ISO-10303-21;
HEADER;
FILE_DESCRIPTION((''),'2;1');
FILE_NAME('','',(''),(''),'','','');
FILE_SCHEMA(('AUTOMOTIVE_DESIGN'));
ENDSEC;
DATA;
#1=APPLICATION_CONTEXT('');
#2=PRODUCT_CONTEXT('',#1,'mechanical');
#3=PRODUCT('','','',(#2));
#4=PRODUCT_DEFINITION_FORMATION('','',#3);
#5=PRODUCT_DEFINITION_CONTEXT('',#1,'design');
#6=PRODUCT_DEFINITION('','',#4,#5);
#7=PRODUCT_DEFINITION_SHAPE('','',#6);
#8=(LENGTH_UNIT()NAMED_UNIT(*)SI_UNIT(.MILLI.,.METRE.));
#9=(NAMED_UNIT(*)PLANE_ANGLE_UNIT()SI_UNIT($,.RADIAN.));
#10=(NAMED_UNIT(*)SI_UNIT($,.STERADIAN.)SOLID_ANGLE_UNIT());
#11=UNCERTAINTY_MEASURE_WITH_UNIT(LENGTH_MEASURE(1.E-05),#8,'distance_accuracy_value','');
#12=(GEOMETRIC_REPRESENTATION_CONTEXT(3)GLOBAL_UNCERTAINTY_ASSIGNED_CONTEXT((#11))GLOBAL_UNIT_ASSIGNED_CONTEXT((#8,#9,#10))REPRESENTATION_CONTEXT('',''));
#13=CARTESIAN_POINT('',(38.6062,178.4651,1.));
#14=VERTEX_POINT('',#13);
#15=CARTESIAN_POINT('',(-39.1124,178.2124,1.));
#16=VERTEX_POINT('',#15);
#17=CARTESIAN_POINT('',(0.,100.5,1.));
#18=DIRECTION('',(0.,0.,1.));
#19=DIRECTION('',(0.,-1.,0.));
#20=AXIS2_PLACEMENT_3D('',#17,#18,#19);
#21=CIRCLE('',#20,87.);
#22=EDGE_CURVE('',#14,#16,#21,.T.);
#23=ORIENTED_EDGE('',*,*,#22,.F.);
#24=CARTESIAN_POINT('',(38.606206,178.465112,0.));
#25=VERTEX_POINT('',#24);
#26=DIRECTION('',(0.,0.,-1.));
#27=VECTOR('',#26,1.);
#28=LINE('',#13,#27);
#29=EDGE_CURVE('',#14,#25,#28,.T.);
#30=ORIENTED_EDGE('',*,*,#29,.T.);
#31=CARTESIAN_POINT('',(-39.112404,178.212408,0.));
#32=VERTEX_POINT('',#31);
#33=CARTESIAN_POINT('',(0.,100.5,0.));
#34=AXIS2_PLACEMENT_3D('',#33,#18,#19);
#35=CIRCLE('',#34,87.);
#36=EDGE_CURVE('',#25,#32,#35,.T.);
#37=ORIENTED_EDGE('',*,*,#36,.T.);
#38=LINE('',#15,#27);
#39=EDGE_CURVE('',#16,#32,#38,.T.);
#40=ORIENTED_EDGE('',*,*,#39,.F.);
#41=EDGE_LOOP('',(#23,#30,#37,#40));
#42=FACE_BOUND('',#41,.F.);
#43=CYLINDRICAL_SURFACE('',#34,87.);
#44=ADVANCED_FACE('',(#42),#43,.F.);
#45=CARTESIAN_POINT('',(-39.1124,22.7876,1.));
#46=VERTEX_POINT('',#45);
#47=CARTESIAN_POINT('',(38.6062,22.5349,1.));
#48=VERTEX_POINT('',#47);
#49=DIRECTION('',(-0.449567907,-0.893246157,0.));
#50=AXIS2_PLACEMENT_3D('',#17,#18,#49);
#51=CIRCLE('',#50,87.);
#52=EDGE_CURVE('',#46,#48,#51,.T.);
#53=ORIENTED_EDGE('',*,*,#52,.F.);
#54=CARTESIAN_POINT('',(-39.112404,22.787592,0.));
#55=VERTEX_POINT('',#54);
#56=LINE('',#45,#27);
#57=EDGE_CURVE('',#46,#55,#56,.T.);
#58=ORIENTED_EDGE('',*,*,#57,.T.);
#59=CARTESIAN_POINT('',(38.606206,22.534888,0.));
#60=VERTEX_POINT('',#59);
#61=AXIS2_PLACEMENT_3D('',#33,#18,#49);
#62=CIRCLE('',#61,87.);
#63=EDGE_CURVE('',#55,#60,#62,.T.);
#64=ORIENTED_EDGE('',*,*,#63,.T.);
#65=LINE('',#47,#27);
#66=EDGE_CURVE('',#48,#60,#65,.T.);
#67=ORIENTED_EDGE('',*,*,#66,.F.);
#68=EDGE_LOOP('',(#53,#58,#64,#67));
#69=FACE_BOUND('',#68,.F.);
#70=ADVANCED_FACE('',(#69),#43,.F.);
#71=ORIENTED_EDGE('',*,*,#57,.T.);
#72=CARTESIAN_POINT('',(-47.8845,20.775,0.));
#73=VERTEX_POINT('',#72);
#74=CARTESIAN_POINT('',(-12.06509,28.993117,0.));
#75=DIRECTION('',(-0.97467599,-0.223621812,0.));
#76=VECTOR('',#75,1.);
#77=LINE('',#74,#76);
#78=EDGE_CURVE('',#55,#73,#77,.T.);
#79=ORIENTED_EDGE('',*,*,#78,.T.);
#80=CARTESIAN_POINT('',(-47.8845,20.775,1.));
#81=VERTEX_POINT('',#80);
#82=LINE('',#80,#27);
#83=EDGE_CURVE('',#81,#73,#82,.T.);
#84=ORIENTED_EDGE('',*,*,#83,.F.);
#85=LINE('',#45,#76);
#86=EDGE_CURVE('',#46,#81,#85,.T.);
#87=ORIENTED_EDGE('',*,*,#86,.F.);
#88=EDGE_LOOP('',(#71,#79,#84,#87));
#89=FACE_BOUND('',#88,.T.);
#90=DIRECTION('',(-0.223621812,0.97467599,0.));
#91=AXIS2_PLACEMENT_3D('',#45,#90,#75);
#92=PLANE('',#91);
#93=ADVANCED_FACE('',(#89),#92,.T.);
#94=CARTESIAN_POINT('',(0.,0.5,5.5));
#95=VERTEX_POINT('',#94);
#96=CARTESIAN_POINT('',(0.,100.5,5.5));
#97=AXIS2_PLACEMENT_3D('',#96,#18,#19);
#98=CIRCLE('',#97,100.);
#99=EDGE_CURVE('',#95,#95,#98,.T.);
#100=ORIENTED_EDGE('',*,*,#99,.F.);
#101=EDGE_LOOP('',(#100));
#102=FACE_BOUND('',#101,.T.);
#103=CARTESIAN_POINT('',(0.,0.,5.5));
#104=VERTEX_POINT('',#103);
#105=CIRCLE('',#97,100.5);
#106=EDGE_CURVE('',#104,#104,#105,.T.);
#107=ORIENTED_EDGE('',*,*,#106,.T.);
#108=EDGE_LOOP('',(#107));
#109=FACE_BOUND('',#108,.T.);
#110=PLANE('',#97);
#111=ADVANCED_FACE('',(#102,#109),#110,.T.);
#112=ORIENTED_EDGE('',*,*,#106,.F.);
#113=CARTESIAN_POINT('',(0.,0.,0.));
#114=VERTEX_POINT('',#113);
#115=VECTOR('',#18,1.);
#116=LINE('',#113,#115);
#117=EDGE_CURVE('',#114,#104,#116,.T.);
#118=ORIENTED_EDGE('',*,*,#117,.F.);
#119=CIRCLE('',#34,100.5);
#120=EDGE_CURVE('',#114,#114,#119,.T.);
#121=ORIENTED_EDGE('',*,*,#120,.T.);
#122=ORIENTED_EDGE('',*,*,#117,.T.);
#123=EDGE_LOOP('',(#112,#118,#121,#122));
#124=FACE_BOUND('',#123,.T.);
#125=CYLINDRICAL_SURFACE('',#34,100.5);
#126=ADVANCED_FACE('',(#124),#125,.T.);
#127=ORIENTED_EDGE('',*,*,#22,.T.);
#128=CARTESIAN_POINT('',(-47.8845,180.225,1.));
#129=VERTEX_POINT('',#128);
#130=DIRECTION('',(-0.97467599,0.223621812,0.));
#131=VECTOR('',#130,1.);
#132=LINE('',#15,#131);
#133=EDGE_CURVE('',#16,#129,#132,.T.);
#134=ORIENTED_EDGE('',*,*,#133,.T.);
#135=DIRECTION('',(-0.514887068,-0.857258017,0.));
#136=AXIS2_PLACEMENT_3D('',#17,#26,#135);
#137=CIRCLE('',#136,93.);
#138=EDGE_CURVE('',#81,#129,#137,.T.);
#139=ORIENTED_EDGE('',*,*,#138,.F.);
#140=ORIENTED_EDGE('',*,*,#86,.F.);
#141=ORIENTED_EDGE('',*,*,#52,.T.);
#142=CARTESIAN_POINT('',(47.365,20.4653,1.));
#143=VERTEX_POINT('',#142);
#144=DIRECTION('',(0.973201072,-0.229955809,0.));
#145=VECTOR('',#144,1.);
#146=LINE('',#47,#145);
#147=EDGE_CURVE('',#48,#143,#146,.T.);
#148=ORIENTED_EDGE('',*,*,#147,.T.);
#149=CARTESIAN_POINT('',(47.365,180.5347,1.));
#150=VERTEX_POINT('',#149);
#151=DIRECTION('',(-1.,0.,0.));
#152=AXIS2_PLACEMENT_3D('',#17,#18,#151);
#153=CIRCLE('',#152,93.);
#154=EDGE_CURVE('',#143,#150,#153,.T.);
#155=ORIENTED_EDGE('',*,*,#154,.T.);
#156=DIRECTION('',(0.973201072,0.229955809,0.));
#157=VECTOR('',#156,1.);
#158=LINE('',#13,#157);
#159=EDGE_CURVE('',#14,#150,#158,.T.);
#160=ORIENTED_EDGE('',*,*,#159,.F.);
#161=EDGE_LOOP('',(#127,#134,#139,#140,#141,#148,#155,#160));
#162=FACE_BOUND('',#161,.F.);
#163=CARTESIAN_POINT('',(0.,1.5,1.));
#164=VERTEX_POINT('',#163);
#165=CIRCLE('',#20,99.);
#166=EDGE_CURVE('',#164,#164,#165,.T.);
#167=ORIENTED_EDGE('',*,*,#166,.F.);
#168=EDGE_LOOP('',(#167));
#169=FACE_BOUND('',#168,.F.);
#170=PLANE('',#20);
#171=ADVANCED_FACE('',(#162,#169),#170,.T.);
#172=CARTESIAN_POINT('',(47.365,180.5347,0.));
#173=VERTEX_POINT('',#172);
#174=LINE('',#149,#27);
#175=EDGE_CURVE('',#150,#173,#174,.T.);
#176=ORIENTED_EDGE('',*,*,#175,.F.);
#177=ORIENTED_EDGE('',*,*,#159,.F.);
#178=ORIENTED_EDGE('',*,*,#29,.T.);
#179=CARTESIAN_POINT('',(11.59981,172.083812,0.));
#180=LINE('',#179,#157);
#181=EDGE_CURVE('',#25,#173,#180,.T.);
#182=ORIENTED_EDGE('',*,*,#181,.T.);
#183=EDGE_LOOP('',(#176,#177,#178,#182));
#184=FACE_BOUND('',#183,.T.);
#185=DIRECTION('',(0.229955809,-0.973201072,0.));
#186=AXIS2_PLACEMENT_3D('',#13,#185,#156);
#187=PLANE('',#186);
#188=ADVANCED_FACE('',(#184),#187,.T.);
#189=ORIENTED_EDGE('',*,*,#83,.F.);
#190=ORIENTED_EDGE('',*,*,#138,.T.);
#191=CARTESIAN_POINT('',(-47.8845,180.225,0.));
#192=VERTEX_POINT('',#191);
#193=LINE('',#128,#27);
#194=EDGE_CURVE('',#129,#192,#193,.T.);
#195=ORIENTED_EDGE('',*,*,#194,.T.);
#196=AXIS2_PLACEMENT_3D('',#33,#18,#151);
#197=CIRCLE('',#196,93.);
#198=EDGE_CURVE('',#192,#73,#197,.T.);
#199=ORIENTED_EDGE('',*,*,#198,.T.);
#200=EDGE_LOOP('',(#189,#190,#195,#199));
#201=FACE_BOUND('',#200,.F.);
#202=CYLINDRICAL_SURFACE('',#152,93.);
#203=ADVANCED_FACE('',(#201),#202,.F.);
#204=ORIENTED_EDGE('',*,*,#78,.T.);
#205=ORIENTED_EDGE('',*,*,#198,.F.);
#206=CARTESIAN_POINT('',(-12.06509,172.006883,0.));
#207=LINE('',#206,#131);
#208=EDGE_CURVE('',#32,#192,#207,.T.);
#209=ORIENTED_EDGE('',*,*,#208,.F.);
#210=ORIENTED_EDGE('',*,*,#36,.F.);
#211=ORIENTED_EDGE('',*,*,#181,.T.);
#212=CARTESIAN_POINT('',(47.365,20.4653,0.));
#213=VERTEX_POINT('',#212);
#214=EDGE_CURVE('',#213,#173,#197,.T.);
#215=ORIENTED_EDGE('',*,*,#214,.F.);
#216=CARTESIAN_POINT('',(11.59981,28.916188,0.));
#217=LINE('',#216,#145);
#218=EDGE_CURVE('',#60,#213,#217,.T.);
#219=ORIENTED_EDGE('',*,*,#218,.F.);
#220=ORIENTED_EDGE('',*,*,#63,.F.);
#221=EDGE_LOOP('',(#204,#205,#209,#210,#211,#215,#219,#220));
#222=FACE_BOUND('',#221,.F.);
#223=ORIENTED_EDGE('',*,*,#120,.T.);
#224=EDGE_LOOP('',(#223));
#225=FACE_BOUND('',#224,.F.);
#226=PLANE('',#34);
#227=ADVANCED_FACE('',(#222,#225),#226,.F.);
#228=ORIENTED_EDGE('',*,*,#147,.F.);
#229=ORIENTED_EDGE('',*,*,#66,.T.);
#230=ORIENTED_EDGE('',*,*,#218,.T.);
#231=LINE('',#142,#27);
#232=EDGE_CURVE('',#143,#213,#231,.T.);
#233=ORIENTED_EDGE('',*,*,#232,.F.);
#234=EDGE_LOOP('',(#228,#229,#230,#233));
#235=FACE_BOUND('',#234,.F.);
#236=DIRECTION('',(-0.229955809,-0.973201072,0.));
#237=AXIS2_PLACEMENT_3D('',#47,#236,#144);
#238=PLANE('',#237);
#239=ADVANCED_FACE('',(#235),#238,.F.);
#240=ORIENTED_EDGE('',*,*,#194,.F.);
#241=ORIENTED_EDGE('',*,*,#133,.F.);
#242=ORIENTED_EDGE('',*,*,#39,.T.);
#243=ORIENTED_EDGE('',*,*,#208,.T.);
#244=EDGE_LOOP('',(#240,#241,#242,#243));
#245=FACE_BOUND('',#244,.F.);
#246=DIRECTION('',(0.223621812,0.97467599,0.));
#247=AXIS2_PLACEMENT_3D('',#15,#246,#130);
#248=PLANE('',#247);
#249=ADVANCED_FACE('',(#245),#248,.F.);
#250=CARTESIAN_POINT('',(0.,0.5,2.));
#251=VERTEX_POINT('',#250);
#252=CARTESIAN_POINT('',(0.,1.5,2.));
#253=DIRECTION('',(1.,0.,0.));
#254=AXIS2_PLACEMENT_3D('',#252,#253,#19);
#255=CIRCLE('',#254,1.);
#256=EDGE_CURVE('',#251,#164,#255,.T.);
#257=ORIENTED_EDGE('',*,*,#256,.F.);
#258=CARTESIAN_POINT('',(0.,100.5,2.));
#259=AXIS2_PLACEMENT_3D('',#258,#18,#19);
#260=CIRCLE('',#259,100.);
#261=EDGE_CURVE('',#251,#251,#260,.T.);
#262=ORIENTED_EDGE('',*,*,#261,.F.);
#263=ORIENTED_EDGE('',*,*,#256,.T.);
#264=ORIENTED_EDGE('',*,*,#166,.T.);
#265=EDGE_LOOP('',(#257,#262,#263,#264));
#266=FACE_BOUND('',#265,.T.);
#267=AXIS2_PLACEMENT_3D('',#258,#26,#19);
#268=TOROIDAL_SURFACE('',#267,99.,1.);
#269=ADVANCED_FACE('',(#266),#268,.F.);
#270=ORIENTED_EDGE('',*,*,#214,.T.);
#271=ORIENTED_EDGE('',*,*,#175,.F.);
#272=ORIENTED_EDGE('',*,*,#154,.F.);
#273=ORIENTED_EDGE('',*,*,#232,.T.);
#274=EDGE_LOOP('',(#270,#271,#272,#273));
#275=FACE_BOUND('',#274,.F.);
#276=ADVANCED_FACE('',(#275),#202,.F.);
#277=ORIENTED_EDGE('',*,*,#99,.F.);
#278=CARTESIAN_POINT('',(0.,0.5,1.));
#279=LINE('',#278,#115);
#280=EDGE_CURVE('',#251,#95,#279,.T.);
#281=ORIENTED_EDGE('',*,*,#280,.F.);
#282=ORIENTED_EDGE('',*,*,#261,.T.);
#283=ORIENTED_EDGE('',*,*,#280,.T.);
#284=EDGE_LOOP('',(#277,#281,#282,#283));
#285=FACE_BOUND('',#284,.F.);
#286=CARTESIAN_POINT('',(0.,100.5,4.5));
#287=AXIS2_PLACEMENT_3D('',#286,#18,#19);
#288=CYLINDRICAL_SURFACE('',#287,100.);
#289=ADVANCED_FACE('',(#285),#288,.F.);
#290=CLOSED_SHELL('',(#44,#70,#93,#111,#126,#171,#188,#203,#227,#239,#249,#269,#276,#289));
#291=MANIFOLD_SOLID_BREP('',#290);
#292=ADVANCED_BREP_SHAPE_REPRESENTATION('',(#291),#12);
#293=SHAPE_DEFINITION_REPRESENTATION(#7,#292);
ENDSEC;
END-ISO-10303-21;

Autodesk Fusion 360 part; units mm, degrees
sketch "Ring" plane through (0, 0, 0) normal (1, 0, 0) x (0, 1, 0)
  line L0 (0, 0) -> (0, 5.5)
  line L1 (0, 0) -> (13.5, 0)
  line L2 (13.5, 0) -> (13.5, 1)
  line L3 (13.5, 1) -> (0.5, 1)
  line L4 (0.5, 1) -> (0.5, 4)
  line L5 (0.5, 4) -> (0.5, 4.5)
  line L6 (0.5, 4.5) -> (0.5, 5.5)
  line L7 (0, 5.5) -> (0.5, 5.5)
  line L8 (100.5, -11) -> (100.5, 21) construction
  point P0 (100.5, 0)
  dimension "d11" = 1
  dimension "d12" = 3
  dimension "d13" = 1
  dimension "d21" = 0.5
  dimension "d47" = 13
  dimension "d48" = 100
  dimension "d55" = 0.5
  dimension "d56" = 0.5
revolve "Revolve Ring" add sketch "Ring" angle 360 about axis through (0, 100.5, -11) along (0, 0, 1)
sketch "Cutout" plane through (0, 0, 1) normal (0, 0, 1) x (-1, 0, 0)
  circle A0 centre (0, -100.5) radius 100
  circle A1 centre (0, -100.5) radius 87
  circle A2 centre (0, -100.5) radius 87
  circle A3 centre (0, -100.5) radius 93
  line L0 (39.1124, -22.7876) -> (47.8845, -20.775)
  line L1 (-38.6062, -22.5349) -> (-47.365, -20.4653)
  line L2 (-38.6062, -178.4651) -> (-47.365, -180.5347)
  line L3 (39.1124, -178.2124) -> (47.8845, -180.225)
  line L4 (47.8845, -180.225) -> (47.8845, -20.775) construction
  line L5 (-47.365, -180.5347) -> (-47.365, -20.4653) construction
  point P0 (39.1124, -22.7876)
  dimension "d24" = 0
  dimension "d25" = 186
  dimension "d37" = 9
  dimension "d49" = 95.25
  dimension "d50" = 77.719
  dimension "d52" = 159.45
extrude "Remove Cutout" cut sketch "Cutout" against normal blind 10 contours A1 A2 A3 L0 L3 | A1 A2 A3 L1 L2
fillet "Fillet2" radius 1 1 edges at (-93.2327, 64.3385, 1)
equation "d11 = bottom_thickness"
equation "d12 = cardboard_thickness"
equation "d21 = edge_thickness"
equation "d25 = spool_diameter - ( 2 * width_to_holes )"
equation "bottom_thickness = 1 mm" comment "Thickness of the part that touches the spool on the side."
equation "cardboard_thickness = 3 mm" comment "Thickness of the cardboard on the spool."
equation "spool_diameter = 200 mm" comment "Diameter of the spool."
equation "edge_thickness = 0.5 mm" comment "Thickness of the part that goes around the edge of the cardboard spool and sits on the rollers in the AMS, adding to the diameter of the spool.  Decrease this if the AMS cannot be closed as the diameter is too big.  For example: If the spool diameter is 200 mm and this value is 1 mm, the final diameter of the printed spool ring will be 200 mm + (2 * 1 mm) = 202 mm (as there is material on both sides)."
equation "width_to_holes = 7 mm" comment "Width between the edge of the cardboard spool and right before the holes start (which you use to stick the loose end of the filement in for storage). Decrease this if the printed part covers holes on the cardboard spool."
equation "total_width = 13 mm" comment "Width of the printed part that covers the cardboard spool's side (one side only). Must be larger than or equal to \"width_to_holes\"."
equation "d47 = total_width"
equation "d48 = spool_diameter / 2"
equation "d55 = edge_thickness"
equation "fillet_radius = 1 mm" comment "Size of the internal fillet, to increase strength in case the layers separate when taking it off the bed."
